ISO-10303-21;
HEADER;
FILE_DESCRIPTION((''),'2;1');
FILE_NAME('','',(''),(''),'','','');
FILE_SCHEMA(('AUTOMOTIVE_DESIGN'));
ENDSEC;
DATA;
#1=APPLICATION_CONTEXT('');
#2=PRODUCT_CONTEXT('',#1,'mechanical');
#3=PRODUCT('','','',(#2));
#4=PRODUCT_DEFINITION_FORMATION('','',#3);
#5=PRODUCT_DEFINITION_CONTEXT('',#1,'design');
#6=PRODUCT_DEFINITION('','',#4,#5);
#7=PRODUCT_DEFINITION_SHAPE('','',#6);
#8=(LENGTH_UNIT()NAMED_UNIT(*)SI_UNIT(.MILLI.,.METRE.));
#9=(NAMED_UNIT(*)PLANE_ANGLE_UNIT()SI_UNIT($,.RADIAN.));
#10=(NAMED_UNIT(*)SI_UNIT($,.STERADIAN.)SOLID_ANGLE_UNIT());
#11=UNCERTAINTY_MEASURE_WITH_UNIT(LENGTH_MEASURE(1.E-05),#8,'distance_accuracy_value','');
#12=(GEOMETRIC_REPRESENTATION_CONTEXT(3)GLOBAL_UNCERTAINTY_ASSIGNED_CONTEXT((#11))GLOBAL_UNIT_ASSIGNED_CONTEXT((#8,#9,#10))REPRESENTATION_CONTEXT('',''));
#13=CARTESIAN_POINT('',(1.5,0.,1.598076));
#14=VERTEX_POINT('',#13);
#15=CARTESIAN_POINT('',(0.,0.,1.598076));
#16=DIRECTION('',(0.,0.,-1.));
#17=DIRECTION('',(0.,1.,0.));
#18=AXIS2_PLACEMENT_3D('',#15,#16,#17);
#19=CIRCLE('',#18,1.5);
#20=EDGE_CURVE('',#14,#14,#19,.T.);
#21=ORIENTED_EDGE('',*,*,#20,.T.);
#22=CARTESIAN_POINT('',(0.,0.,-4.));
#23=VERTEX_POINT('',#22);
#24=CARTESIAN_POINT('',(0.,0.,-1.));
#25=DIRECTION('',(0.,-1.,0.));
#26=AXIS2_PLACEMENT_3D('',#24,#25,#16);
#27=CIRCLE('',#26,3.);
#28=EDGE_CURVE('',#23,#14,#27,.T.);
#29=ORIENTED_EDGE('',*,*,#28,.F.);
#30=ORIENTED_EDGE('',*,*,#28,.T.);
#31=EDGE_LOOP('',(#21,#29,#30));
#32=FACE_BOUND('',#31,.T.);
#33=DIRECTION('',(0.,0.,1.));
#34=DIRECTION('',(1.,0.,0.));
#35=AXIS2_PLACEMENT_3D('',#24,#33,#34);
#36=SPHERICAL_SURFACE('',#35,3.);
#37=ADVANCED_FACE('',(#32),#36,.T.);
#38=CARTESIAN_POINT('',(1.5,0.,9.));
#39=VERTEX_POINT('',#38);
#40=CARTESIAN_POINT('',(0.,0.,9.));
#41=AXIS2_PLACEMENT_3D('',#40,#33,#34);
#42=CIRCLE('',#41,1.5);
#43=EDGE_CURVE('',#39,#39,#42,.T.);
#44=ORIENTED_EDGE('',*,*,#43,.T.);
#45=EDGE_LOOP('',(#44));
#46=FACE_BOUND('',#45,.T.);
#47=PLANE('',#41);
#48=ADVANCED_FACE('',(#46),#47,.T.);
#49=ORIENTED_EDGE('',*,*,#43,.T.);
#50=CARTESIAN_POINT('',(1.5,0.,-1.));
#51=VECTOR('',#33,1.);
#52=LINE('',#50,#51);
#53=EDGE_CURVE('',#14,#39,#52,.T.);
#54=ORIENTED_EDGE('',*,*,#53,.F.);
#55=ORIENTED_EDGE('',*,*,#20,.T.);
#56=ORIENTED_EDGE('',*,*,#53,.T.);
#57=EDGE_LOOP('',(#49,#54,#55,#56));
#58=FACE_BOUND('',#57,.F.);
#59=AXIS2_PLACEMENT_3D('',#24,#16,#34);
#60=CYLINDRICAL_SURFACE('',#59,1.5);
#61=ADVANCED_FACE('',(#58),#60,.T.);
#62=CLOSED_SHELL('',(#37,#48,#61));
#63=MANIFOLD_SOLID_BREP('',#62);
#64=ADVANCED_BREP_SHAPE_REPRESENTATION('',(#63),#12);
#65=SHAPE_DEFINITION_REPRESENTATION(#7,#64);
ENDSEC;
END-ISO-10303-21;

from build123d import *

# Parameters (mm, degrees)
CYLINDER_R     = 1.5
CYLINDER_DEPTH = 10


with BuildPart() as cylinder:
    # Cylinder → Cylinder (new body)
    with BuildSketch(Plane.XY):
        Circle(CYLINDER_R)
    extrude(amount=CYLINDER_DEPTH)


with BuildPart() as ball_and_screw:
    # Sphere → Sphere (revolve)
    with BuildSketch(Plane.XZ):
        with BuildLine():
            ThreePointArc((0, -3), (3, 0), (0, 3))
            Line((0, 3), (0, -3))
        make_face()
    revolve(axis=Axis((0, 0, 0), (0, 0, 1)))

    # Fusion005: union Cylinder
    add(cylinder.part)


with BuildPart() as ball_and_screw_1:
    # Fusion005 placement: moved
    add(ball_and_screw.part.moved(Location((0, 0, -1))))


solid = ball_and_screw_1.part
